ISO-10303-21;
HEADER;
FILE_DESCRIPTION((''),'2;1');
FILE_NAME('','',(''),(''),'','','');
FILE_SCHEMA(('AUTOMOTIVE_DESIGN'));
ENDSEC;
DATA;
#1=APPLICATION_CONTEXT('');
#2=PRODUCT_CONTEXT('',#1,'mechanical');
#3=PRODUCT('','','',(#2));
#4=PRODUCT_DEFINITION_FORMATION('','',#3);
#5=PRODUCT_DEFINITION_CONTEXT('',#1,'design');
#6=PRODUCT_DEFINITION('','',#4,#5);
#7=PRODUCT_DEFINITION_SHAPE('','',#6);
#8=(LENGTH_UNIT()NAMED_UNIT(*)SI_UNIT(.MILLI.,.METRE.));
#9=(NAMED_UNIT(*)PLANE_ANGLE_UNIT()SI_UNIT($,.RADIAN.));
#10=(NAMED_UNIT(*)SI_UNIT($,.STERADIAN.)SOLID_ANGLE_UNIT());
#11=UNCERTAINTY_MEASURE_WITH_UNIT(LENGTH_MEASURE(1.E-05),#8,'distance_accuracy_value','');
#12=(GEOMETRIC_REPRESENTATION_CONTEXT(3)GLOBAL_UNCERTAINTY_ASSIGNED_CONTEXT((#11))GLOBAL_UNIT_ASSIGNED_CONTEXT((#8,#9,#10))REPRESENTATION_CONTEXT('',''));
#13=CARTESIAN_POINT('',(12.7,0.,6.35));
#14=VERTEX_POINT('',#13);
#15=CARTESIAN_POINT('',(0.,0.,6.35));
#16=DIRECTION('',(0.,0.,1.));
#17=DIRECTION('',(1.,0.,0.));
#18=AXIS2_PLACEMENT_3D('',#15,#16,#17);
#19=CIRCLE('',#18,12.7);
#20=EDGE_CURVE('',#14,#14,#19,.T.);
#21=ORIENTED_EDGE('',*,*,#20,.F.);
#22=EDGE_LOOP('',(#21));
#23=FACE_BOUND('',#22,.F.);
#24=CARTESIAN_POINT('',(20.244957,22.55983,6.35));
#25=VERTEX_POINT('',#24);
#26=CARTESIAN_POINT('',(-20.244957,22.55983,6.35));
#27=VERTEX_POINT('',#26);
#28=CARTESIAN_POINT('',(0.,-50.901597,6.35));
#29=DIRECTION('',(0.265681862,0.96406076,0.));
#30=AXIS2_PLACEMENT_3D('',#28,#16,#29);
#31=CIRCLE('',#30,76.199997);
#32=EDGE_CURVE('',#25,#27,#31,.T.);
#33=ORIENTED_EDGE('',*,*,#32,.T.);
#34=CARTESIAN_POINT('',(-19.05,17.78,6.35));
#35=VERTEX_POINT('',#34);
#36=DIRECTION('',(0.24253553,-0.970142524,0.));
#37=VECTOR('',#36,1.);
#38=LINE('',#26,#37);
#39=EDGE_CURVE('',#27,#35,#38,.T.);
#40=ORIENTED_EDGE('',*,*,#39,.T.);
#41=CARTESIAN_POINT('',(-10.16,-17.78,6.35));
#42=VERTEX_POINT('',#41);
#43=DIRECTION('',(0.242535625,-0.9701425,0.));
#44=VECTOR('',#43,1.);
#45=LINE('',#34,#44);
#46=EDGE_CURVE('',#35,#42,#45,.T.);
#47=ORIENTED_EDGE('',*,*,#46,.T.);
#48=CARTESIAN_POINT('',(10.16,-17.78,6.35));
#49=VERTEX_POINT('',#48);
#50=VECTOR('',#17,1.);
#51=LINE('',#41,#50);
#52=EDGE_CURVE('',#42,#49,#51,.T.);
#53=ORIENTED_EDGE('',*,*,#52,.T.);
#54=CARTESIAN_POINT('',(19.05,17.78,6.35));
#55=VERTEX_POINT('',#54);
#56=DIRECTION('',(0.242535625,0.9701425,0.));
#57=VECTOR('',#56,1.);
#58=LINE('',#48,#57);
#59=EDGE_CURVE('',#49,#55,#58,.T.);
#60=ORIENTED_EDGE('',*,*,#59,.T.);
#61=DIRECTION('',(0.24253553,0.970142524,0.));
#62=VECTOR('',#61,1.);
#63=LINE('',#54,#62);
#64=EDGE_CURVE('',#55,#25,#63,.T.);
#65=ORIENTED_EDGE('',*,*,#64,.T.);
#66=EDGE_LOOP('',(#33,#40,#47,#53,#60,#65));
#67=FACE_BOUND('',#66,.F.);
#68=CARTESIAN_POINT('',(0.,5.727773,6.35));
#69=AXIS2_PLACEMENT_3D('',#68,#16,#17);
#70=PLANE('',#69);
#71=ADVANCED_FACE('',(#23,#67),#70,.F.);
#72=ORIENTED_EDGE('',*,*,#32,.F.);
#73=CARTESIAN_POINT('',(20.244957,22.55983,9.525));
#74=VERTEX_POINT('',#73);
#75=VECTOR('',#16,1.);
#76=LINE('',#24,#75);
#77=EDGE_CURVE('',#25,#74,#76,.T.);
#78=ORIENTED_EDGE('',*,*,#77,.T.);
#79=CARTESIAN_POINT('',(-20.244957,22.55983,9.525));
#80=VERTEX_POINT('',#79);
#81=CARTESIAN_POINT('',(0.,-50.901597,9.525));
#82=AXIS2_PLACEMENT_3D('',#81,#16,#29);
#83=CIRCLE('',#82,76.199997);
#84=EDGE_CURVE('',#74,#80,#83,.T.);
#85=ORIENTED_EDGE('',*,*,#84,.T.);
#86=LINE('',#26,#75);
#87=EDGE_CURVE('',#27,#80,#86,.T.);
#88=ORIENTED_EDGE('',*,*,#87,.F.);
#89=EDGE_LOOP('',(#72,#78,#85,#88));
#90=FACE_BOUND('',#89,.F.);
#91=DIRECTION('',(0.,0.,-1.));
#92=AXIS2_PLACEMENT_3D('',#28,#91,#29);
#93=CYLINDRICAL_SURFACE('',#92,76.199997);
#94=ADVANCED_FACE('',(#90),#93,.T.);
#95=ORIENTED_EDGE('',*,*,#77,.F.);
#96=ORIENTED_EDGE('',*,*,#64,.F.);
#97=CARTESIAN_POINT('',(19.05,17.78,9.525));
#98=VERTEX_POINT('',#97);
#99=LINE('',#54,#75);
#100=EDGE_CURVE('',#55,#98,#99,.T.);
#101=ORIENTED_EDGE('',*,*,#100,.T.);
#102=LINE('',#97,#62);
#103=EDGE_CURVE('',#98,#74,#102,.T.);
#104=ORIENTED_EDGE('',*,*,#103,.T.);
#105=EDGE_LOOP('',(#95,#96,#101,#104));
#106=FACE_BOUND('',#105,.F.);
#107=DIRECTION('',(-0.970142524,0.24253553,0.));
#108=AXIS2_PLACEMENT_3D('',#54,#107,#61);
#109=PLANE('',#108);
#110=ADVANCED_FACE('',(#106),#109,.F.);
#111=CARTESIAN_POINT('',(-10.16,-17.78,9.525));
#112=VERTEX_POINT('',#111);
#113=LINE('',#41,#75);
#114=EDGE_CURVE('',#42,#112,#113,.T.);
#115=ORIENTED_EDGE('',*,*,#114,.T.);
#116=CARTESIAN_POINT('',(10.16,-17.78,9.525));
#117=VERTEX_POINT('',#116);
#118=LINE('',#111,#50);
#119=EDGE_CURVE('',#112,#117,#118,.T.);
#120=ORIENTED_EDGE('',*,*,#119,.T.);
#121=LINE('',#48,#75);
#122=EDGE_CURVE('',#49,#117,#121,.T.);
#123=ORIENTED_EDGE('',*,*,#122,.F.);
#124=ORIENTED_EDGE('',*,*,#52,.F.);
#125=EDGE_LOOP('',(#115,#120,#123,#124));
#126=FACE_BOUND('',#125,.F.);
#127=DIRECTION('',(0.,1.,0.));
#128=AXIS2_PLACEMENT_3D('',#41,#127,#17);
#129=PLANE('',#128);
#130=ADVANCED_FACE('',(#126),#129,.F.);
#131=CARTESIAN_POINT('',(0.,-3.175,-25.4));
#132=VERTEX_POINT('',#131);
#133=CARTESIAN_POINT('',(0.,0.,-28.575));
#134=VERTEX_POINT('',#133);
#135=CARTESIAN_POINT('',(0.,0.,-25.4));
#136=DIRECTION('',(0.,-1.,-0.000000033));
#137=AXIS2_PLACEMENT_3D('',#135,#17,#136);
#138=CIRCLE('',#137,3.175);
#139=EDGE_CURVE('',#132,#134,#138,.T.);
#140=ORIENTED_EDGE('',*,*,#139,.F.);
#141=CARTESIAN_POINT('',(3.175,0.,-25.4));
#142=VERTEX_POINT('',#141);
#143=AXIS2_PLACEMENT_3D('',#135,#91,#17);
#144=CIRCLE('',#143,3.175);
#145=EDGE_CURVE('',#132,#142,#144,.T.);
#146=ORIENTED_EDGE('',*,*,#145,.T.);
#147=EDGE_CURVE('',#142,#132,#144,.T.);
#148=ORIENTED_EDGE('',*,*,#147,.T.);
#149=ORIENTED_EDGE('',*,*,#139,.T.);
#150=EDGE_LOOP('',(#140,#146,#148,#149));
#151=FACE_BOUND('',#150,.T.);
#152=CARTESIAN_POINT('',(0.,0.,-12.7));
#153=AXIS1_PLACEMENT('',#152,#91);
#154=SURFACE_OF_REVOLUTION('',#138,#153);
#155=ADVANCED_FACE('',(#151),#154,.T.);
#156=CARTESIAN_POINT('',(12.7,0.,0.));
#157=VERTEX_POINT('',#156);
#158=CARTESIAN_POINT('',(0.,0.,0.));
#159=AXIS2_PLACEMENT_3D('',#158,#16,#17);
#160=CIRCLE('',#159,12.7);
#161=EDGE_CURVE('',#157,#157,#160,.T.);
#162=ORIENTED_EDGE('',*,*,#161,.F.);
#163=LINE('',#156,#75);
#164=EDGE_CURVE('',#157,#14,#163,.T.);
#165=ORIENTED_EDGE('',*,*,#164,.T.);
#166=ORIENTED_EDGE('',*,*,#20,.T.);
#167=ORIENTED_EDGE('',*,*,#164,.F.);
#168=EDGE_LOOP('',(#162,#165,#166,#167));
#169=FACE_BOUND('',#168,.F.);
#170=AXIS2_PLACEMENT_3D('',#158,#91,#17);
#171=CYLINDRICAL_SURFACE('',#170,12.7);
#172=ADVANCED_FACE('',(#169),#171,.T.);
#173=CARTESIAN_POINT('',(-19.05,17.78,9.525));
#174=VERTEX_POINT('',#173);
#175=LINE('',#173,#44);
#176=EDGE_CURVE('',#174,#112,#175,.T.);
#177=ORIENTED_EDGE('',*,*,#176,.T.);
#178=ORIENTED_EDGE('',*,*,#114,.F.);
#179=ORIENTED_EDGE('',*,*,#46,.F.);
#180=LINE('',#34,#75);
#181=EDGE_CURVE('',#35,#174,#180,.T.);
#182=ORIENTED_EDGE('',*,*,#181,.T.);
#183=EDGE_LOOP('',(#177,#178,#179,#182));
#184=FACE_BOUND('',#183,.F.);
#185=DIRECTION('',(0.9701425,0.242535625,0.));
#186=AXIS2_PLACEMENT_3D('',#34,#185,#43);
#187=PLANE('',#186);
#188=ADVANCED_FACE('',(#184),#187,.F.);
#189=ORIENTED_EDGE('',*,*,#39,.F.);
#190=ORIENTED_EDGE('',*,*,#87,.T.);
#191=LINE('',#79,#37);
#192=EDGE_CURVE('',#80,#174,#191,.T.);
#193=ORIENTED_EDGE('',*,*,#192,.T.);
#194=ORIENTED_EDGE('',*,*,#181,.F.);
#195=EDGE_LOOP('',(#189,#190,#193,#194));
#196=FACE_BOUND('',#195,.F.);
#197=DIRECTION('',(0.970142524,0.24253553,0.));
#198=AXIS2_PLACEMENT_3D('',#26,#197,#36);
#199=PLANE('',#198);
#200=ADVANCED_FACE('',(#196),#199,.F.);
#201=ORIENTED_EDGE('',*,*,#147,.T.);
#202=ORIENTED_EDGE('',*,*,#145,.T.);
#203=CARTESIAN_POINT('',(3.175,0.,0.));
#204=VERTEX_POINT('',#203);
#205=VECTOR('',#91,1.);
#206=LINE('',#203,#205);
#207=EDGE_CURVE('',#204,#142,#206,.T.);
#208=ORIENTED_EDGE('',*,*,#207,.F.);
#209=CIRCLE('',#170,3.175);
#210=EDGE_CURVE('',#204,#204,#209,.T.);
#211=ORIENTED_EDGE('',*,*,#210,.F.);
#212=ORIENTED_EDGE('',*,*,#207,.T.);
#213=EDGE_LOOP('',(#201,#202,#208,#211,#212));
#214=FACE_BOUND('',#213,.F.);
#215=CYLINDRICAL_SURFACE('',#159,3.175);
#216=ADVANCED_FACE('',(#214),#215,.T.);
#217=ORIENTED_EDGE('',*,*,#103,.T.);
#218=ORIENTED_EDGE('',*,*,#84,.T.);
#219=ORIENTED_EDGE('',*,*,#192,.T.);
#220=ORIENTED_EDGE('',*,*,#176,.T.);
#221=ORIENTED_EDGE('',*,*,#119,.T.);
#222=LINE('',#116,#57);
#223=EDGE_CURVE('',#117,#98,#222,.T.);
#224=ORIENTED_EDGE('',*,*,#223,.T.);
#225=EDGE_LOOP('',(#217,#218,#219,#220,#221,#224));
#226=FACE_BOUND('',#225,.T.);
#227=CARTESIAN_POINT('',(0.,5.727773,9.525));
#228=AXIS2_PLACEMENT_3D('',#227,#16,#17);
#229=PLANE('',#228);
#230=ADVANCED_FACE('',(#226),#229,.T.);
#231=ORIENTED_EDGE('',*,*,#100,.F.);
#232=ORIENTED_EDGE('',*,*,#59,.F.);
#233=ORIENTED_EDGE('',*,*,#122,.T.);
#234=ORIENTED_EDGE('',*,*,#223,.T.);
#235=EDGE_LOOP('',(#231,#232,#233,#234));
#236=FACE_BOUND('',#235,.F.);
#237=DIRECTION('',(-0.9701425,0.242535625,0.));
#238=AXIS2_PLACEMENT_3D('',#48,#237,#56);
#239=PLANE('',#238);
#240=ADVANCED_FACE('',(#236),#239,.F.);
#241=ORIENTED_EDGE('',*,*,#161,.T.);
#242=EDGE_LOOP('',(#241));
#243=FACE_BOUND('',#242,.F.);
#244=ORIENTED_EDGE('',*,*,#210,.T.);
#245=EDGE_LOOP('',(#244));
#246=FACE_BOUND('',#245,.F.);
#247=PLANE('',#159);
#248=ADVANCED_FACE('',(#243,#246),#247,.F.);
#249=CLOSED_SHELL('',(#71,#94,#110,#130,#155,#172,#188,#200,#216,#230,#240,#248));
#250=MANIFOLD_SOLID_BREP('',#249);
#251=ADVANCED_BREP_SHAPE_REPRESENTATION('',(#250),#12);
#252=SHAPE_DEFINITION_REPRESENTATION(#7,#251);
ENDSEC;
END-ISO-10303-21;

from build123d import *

# Parameters (mm, degrees)
F0_R     = 12.7
F1_DEPTH = 6.35
F2_R     = 3.175
F3_DEPTH = 25.4
F7_DEPTH = 3.175


with BuildPart() as f1:
    # F0 (on Top) → F1 (new body)
    with BuildSketch(Plane.XY):
        Circle(F0_R)
    extrude(amount=F1_DEPTH)

    # F2 (on face) → F3 (join)
    with BuildSketch(Plane(origin=(0, 0, 0), x_dir=(1, 0, 0), z_dir=(0, 0, -1))):
        Circle(F2_R)
    extrude(amount=F3_DEPTH)

    # F4 (on Right) → F5 (revolve)
    with BuildSketch(Plane.YZ):
        with BuildLine():
            Line((0, -28.575), (0, -25.4))
            Line((0, -25.4), (-3.175, -25.4))
            ThreePointArc((-3.175, -25.4), (-2.245064, -27.645064), (0, -28.575))
        make_face()
    revolve(axis=Axis((0, 0, -12.7), (0, 0, -1)))

    # F6 (on face) → F7 (join)
    with BuildSketch(Plane.XY.offset(6.35)):
        with BuildLine():
            Line((-10.16, -17.78), (0, -17.78))
            Line((0, -17.78), (10.16, -17.78))
            Line((10.16, -17.78), (19.05, 17.78))
            Line((19.05, 17.78), (20.244957, 22.55983))
            ThreePointArc((20.244957, 22.55983), (0, 25.2984), (-20.244957, 22.55983))
            Line((-20.244957, 22.55983), (-19.05, 17.78))
            Line((-19.05, 17.78), (-10.16, -17.78))
        make_face()
    extrude(amount=F7_DEPTH)


solid = f1.part
